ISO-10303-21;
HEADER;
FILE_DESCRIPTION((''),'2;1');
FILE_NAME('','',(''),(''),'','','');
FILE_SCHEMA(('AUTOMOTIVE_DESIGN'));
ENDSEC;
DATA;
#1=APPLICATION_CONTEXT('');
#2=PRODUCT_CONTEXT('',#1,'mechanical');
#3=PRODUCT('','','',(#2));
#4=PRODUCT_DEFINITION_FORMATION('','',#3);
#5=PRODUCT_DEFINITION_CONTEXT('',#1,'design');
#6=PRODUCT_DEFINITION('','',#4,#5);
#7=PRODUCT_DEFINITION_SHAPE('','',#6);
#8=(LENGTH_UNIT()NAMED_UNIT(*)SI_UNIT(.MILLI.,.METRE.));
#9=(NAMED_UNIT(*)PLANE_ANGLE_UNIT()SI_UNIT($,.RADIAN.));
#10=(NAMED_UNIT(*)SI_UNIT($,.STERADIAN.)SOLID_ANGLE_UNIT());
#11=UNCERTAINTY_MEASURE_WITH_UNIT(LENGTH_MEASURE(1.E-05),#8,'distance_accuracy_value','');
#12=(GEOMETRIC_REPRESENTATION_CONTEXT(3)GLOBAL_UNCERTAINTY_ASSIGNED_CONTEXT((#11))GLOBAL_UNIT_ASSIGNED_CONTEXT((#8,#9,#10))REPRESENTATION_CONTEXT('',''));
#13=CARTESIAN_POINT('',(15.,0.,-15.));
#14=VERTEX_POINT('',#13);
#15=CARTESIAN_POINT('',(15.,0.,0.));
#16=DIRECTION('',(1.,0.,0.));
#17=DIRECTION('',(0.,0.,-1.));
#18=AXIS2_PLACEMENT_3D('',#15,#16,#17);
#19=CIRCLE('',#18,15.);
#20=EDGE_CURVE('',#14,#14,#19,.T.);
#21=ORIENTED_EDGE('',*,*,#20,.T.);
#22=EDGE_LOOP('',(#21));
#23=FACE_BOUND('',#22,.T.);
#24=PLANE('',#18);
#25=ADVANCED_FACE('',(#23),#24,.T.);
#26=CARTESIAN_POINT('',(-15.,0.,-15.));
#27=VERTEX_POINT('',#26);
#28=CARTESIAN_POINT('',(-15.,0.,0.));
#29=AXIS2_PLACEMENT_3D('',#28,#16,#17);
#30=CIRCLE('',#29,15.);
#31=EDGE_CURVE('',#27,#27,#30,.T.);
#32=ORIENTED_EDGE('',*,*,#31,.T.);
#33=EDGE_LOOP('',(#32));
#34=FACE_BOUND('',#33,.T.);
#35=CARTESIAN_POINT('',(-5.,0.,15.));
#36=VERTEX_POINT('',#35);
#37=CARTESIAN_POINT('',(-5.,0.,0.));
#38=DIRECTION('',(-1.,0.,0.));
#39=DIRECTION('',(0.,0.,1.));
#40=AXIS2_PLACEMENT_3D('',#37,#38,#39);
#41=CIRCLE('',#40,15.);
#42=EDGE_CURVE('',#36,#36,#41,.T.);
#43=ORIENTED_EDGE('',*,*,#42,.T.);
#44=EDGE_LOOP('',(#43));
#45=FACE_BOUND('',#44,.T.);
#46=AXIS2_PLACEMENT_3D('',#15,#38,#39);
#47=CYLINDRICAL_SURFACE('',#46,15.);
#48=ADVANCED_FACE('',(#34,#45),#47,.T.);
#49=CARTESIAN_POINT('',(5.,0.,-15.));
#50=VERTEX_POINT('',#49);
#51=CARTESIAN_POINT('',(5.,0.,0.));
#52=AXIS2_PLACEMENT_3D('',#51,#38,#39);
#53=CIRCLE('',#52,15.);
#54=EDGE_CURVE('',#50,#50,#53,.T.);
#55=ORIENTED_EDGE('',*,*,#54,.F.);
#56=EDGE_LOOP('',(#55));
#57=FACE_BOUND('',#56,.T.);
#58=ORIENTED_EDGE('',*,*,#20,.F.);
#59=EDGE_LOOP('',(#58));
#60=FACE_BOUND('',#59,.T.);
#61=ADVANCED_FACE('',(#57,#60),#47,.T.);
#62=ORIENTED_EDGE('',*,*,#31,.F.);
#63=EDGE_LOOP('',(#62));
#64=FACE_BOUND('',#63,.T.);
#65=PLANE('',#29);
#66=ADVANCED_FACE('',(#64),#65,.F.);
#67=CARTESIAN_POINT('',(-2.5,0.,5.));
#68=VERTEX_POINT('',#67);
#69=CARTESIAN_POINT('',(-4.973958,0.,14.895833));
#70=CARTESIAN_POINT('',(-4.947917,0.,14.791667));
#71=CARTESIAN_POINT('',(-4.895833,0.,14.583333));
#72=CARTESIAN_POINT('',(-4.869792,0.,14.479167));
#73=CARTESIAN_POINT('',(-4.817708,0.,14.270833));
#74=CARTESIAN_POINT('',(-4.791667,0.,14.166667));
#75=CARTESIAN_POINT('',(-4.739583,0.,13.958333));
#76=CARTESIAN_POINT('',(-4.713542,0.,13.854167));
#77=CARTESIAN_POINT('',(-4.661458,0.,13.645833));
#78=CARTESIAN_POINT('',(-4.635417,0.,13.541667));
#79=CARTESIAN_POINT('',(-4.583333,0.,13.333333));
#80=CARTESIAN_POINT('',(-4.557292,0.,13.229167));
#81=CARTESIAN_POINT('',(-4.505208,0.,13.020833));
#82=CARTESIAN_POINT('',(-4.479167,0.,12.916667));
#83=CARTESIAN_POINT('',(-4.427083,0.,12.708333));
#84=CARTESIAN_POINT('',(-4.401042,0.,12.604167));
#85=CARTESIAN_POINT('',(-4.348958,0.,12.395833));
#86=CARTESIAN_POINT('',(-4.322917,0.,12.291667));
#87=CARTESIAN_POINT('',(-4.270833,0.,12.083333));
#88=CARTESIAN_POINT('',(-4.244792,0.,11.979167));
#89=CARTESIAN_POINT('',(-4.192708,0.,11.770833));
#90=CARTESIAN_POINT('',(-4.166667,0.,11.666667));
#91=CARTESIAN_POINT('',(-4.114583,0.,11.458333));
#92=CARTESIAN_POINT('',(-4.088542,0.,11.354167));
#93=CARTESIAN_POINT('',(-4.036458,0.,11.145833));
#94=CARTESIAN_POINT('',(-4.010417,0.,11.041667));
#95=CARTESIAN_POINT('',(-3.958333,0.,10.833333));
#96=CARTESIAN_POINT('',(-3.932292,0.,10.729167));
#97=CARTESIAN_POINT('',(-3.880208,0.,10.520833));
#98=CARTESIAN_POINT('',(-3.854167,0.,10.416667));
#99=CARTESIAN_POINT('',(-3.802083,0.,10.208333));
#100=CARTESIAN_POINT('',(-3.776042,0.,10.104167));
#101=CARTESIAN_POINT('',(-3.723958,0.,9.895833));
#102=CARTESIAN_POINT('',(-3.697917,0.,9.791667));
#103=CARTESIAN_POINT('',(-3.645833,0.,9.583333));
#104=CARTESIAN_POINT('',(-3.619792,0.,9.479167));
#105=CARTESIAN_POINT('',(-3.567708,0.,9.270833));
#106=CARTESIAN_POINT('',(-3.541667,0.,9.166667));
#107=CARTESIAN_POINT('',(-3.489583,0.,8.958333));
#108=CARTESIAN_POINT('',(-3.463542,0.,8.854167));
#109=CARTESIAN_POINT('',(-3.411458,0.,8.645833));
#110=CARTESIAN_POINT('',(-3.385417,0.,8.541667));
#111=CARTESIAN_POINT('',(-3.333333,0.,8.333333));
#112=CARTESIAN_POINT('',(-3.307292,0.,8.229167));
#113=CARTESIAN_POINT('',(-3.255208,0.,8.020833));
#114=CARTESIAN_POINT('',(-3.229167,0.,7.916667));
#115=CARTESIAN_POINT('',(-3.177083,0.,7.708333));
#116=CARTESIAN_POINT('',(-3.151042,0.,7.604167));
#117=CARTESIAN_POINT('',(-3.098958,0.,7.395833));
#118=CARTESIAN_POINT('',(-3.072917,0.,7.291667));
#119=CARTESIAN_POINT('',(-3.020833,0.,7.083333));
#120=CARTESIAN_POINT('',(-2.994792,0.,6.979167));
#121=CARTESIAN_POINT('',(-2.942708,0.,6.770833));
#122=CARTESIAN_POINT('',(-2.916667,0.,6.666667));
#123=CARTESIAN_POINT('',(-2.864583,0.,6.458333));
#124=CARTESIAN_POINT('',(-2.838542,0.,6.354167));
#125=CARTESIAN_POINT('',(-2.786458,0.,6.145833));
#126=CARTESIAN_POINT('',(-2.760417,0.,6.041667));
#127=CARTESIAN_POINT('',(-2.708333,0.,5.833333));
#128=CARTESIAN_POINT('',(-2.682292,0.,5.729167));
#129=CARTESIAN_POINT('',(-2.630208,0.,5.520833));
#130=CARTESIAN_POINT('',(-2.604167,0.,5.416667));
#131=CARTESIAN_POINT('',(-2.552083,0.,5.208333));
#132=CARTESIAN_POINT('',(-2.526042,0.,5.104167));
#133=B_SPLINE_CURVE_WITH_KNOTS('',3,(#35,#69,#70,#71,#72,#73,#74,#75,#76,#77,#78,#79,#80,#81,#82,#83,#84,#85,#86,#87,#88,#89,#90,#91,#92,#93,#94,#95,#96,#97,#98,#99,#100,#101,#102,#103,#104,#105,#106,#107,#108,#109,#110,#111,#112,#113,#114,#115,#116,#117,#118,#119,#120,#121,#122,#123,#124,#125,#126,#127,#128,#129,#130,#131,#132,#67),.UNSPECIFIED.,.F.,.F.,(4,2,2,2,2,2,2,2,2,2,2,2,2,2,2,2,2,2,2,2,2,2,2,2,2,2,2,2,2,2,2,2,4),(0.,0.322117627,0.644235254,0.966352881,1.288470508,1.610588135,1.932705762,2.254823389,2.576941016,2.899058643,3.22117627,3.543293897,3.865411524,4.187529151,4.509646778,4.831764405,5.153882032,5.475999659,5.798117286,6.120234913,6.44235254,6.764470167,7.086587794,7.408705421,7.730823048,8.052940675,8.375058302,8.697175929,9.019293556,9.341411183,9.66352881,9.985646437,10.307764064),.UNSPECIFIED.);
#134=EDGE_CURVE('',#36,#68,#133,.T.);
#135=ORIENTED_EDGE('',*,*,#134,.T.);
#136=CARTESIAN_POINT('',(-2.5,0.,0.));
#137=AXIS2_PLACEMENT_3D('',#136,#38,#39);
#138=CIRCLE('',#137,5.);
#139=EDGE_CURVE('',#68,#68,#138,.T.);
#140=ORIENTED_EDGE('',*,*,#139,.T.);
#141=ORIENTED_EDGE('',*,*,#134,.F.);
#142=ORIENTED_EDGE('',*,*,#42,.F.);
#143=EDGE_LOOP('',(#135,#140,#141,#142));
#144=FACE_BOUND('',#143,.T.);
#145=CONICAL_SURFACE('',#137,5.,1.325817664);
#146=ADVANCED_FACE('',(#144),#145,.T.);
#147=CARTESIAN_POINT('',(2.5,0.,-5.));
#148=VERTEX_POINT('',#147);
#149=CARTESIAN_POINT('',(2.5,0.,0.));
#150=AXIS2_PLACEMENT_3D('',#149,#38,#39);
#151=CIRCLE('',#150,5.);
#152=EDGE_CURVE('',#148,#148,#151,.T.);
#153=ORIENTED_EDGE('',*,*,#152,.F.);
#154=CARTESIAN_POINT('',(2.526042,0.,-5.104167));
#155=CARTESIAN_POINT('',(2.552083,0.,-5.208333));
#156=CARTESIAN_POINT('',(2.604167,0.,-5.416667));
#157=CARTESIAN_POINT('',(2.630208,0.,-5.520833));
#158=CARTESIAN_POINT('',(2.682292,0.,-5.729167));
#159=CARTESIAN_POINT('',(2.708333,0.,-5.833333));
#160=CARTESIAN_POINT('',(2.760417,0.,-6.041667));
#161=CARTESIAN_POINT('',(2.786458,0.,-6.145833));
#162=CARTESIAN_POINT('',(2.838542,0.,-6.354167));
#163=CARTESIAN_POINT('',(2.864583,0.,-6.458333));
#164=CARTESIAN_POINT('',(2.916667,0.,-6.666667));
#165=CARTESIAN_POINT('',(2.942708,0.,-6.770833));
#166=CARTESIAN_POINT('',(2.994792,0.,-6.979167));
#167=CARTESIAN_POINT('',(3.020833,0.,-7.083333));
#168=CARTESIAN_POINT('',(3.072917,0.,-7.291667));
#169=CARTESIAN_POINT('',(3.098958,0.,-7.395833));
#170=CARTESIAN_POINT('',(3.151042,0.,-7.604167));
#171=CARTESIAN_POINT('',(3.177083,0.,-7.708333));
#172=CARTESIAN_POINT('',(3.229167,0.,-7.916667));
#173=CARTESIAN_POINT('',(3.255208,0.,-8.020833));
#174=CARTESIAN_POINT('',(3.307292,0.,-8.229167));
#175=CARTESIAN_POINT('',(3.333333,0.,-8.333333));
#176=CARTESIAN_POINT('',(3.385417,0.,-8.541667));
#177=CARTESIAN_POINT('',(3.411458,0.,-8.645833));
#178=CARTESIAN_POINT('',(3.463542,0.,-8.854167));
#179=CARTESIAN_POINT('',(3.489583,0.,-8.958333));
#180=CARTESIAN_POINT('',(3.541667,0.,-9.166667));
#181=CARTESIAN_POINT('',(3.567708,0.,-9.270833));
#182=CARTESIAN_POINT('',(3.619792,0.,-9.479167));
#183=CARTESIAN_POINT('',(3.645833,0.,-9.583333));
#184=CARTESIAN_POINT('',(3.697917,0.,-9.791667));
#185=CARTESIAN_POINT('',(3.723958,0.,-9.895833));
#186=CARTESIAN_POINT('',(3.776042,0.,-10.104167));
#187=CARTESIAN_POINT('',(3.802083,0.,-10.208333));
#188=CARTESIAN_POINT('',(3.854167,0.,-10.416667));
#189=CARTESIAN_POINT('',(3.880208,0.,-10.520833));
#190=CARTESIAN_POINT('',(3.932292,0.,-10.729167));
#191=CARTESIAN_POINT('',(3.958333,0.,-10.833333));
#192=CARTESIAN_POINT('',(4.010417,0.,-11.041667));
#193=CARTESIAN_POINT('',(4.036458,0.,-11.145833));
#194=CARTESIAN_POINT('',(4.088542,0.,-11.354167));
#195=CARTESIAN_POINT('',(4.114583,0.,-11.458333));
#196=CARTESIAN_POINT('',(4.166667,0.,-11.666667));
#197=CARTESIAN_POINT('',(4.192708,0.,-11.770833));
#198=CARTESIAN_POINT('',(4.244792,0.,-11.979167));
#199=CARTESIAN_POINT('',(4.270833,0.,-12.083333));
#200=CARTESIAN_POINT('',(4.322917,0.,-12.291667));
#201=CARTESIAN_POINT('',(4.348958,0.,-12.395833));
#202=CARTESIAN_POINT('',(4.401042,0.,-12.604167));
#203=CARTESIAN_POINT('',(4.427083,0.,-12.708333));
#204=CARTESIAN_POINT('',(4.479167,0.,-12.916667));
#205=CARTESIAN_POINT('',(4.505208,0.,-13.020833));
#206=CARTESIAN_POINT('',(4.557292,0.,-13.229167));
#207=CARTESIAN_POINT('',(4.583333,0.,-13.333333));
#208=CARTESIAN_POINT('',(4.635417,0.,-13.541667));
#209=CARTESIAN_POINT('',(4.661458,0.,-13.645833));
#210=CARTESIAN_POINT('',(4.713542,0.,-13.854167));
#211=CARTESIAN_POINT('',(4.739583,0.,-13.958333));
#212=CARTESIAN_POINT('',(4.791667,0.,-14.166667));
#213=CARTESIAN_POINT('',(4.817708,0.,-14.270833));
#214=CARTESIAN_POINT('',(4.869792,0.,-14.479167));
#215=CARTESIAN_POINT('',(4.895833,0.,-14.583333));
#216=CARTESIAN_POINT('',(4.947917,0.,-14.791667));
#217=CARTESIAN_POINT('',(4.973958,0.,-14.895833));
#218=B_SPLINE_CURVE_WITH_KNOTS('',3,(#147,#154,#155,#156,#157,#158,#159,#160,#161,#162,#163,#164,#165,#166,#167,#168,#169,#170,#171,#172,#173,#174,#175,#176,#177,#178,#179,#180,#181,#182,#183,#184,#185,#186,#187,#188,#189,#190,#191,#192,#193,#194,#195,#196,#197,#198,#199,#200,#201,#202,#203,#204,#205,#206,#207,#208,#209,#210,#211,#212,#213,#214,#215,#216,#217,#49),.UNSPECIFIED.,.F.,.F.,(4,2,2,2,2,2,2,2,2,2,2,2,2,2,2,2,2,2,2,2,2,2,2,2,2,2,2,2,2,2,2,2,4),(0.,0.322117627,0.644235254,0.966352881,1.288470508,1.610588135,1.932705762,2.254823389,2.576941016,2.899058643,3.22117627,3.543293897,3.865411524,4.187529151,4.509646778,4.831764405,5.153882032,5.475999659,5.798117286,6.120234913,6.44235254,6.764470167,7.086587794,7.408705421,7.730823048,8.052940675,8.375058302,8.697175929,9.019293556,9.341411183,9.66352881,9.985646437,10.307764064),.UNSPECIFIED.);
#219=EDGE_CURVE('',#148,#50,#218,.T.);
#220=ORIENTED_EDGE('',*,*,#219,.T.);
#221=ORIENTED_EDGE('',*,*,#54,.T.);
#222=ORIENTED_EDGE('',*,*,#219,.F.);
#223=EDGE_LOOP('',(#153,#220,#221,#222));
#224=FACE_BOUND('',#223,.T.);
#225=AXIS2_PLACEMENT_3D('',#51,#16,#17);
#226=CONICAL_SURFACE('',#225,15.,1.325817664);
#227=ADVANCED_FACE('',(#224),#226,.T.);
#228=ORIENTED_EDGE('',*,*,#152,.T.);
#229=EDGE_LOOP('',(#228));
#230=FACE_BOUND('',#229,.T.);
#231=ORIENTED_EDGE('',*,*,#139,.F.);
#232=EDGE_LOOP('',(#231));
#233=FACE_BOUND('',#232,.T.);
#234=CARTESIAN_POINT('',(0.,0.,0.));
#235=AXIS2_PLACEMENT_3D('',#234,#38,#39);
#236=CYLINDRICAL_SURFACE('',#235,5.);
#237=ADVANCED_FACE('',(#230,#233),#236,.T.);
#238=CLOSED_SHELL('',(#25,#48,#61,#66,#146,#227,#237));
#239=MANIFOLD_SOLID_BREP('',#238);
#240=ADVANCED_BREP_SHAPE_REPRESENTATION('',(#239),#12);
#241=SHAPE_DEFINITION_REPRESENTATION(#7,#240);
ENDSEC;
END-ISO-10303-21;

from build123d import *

# Parameters (mm, degrees)
SKETCH1_R           = 15
BOSS_EXTRUDE1_DEPTH = 15


with BuildPart() as part:
    # Sketch1 → Boss-Extrude1 (new, symmetric)
    with BuildSketch(Plane(origin=(0, 0, 0), x_dir=(0, 0, -1), z_dir=(1, 0, 0))):
        Circle(SKETCH1_R)
    extrude(amount=BOSS_EXTRUDE1_DEPTH, both=True)

    # Sketch2 → Cut-Revolve1 (revolve, cut)
    with BuildSketch(Plane.XY, mode=Mode.PRIVATE) as cut_revolve1_sk:
        Polygon((-5, 15), (5, 15), (2.5, 5), (-2.5, 5), align=None)
    revolve(cut_revolve1_sk.sketch.rotate(Axis((0, 0, 0), (1, 0, 0)), 90), axis=Axis((0, 0, 0), (1, 0, 0)), mode=Mode.SUBTRACT)


solid = part.part
